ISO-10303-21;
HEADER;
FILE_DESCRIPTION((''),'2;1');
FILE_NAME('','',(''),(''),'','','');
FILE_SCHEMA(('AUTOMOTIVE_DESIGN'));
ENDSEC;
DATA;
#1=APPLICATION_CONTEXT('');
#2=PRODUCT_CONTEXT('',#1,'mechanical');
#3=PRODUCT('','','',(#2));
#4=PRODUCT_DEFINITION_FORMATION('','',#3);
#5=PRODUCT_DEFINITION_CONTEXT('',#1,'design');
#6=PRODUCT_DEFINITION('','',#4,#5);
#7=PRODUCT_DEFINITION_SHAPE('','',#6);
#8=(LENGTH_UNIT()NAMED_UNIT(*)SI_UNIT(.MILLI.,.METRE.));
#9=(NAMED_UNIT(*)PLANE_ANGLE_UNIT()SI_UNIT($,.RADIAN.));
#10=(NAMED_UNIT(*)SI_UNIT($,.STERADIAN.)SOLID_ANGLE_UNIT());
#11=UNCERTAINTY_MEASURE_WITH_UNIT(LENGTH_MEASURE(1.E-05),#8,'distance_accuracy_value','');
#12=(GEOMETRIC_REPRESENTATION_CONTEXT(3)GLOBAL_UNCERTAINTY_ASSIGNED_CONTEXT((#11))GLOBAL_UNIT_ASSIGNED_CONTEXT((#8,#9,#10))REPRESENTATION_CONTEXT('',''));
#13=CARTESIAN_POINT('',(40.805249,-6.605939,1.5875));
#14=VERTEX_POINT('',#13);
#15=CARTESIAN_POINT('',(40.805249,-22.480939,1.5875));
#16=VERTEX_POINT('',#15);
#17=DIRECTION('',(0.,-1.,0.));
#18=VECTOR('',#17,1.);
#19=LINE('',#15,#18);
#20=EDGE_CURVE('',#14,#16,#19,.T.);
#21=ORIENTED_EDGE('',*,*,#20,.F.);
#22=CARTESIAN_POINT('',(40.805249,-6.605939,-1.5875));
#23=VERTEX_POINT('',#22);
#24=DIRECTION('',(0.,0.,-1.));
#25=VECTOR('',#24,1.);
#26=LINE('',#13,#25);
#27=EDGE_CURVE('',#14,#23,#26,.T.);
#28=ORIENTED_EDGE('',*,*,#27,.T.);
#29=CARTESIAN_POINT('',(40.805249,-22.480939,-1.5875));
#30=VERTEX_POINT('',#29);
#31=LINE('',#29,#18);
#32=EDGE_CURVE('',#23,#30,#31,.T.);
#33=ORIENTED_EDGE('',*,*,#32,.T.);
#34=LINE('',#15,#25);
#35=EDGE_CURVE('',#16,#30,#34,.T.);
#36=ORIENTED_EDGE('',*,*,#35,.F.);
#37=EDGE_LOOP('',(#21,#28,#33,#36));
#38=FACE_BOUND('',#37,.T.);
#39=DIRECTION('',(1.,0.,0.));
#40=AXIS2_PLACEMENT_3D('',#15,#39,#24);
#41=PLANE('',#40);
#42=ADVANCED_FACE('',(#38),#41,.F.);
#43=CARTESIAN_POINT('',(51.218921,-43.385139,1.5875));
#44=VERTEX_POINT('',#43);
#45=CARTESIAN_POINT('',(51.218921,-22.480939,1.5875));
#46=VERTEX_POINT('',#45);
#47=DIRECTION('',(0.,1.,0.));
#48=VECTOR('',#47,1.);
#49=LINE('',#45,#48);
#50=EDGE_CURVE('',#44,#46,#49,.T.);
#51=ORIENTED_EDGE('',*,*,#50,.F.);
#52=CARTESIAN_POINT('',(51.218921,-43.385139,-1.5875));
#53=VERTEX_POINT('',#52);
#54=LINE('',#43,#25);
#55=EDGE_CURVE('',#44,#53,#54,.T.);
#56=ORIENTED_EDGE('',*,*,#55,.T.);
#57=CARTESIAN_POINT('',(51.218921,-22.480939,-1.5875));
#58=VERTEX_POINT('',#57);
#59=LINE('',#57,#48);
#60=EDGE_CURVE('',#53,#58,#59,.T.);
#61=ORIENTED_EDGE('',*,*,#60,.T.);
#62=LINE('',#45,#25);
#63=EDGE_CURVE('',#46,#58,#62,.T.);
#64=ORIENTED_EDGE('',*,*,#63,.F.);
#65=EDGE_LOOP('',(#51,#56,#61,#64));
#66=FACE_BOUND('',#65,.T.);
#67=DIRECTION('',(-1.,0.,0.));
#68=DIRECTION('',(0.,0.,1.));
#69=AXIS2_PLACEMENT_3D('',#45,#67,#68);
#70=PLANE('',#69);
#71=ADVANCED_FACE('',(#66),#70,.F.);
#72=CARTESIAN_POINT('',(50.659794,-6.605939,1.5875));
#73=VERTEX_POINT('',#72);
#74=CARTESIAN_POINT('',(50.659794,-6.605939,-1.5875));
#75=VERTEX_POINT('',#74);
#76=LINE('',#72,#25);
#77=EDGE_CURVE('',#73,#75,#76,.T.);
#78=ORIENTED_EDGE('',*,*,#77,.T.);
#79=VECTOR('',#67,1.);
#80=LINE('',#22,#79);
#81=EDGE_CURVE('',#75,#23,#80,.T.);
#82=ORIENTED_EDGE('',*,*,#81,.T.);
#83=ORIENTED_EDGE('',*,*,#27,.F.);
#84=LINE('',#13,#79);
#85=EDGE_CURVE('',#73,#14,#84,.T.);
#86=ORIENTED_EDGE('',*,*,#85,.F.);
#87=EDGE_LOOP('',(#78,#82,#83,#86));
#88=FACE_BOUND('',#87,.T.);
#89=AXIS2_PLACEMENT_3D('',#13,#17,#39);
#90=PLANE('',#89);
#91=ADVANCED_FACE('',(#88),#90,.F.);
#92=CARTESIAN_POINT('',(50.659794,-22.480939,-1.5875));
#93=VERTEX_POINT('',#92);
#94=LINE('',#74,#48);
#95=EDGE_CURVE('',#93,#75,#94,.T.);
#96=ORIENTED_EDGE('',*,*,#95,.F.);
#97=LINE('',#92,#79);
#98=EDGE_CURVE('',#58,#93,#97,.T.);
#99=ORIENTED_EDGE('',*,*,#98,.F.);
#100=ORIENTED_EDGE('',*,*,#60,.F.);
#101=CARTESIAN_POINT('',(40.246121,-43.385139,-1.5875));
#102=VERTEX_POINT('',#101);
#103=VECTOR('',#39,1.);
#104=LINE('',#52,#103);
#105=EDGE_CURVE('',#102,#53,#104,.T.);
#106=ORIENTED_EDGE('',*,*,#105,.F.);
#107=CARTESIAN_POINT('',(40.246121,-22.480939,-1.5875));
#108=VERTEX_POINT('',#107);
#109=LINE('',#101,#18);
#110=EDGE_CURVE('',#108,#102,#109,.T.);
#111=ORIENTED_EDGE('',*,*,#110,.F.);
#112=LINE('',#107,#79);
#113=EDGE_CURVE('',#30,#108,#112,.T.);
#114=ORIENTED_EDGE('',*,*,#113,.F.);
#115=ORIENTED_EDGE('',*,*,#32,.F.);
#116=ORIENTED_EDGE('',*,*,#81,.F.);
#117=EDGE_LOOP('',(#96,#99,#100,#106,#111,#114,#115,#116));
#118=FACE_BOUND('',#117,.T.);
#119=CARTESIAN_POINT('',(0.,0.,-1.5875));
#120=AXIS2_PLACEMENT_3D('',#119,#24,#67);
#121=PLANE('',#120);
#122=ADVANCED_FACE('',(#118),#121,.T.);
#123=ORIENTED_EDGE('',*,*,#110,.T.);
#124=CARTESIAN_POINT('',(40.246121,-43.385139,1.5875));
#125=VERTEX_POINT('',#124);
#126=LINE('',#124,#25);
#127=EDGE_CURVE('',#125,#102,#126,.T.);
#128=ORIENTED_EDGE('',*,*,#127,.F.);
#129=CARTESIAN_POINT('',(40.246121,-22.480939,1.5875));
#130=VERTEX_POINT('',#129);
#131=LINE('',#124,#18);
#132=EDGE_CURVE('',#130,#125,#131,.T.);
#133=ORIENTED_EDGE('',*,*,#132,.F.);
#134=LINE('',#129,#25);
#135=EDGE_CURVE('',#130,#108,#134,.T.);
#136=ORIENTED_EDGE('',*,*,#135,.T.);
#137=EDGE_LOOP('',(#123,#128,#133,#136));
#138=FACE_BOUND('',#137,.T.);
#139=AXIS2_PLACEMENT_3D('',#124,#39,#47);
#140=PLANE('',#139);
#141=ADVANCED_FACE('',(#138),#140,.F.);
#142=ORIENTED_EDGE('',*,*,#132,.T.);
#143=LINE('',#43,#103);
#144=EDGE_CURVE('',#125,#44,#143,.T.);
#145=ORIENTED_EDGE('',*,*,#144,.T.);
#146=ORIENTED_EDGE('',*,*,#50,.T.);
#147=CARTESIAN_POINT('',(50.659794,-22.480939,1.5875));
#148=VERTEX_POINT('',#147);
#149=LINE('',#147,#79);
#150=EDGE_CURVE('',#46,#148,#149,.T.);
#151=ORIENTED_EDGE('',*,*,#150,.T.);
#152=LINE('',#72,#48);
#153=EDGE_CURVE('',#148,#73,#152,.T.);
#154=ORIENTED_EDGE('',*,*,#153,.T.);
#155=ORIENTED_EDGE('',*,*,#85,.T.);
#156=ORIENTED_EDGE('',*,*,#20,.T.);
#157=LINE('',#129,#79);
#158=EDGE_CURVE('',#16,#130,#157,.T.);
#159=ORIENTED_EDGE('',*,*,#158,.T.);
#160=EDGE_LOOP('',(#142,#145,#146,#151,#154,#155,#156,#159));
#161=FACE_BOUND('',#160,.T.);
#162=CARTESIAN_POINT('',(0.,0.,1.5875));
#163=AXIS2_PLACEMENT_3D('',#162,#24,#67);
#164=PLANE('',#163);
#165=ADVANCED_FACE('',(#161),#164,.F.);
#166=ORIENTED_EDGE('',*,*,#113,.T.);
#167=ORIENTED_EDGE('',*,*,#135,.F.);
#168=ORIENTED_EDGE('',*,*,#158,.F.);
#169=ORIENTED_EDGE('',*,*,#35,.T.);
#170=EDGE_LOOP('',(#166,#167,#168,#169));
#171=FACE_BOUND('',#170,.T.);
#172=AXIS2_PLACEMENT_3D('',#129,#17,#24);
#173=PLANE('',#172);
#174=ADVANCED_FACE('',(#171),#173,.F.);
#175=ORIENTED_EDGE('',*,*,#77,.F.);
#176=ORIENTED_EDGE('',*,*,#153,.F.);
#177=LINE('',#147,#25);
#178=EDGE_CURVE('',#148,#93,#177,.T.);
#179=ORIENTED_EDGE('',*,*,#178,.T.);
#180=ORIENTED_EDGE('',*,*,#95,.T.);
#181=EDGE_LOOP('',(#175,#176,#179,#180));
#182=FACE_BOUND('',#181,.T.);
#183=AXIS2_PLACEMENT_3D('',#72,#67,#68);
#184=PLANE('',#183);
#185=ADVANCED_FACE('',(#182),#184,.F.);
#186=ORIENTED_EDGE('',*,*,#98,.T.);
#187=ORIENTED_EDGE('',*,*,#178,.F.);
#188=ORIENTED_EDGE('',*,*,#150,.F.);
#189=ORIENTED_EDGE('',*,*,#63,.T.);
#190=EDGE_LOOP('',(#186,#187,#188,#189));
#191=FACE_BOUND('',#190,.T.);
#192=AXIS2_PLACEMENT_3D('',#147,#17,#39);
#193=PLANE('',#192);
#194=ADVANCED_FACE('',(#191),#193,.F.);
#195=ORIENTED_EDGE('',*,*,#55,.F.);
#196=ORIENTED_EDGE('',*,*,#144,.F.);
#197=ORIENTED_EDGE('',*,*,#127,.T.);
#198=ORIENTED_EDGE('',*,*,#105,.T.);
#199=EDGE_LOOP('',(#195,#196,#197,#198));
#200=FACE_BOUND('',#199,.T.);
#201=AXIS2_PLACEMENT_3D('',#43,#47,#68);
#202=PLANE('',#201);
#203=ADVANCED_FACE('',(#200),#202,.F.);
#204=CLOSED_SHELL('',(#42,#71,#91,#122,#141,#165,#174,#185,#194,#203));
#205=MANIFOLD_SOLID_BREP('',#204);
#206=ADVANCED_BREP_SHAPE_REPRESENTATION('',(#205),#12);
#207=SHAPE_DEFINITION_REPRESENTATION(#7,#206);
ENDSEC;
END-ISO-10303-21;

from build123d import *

# Parameters (mm, degrees)
BOSS_EXTRUDE1_DEPTH = 1.5875


with BuildPart() as part:
    # Sketch2 → Boss-Extrude1 (new, symmetric)
    with BuildSketch(Plane.XY):
        Polygon((40.805248532, -6.605939448), (50.659793871, -6.605939448), (50.659793871, -22.480939448), (51.218921201, -22.480939448), (51.218921201, -43.385139448), (40.246121201, -43.385139448), (40.246121201, -22.480939448), (40.805248532, -22.480939448), align=None)
    extrude(amount=BOSS_EXTRUDE1_DEPTH, both=True)


solid = part.part
